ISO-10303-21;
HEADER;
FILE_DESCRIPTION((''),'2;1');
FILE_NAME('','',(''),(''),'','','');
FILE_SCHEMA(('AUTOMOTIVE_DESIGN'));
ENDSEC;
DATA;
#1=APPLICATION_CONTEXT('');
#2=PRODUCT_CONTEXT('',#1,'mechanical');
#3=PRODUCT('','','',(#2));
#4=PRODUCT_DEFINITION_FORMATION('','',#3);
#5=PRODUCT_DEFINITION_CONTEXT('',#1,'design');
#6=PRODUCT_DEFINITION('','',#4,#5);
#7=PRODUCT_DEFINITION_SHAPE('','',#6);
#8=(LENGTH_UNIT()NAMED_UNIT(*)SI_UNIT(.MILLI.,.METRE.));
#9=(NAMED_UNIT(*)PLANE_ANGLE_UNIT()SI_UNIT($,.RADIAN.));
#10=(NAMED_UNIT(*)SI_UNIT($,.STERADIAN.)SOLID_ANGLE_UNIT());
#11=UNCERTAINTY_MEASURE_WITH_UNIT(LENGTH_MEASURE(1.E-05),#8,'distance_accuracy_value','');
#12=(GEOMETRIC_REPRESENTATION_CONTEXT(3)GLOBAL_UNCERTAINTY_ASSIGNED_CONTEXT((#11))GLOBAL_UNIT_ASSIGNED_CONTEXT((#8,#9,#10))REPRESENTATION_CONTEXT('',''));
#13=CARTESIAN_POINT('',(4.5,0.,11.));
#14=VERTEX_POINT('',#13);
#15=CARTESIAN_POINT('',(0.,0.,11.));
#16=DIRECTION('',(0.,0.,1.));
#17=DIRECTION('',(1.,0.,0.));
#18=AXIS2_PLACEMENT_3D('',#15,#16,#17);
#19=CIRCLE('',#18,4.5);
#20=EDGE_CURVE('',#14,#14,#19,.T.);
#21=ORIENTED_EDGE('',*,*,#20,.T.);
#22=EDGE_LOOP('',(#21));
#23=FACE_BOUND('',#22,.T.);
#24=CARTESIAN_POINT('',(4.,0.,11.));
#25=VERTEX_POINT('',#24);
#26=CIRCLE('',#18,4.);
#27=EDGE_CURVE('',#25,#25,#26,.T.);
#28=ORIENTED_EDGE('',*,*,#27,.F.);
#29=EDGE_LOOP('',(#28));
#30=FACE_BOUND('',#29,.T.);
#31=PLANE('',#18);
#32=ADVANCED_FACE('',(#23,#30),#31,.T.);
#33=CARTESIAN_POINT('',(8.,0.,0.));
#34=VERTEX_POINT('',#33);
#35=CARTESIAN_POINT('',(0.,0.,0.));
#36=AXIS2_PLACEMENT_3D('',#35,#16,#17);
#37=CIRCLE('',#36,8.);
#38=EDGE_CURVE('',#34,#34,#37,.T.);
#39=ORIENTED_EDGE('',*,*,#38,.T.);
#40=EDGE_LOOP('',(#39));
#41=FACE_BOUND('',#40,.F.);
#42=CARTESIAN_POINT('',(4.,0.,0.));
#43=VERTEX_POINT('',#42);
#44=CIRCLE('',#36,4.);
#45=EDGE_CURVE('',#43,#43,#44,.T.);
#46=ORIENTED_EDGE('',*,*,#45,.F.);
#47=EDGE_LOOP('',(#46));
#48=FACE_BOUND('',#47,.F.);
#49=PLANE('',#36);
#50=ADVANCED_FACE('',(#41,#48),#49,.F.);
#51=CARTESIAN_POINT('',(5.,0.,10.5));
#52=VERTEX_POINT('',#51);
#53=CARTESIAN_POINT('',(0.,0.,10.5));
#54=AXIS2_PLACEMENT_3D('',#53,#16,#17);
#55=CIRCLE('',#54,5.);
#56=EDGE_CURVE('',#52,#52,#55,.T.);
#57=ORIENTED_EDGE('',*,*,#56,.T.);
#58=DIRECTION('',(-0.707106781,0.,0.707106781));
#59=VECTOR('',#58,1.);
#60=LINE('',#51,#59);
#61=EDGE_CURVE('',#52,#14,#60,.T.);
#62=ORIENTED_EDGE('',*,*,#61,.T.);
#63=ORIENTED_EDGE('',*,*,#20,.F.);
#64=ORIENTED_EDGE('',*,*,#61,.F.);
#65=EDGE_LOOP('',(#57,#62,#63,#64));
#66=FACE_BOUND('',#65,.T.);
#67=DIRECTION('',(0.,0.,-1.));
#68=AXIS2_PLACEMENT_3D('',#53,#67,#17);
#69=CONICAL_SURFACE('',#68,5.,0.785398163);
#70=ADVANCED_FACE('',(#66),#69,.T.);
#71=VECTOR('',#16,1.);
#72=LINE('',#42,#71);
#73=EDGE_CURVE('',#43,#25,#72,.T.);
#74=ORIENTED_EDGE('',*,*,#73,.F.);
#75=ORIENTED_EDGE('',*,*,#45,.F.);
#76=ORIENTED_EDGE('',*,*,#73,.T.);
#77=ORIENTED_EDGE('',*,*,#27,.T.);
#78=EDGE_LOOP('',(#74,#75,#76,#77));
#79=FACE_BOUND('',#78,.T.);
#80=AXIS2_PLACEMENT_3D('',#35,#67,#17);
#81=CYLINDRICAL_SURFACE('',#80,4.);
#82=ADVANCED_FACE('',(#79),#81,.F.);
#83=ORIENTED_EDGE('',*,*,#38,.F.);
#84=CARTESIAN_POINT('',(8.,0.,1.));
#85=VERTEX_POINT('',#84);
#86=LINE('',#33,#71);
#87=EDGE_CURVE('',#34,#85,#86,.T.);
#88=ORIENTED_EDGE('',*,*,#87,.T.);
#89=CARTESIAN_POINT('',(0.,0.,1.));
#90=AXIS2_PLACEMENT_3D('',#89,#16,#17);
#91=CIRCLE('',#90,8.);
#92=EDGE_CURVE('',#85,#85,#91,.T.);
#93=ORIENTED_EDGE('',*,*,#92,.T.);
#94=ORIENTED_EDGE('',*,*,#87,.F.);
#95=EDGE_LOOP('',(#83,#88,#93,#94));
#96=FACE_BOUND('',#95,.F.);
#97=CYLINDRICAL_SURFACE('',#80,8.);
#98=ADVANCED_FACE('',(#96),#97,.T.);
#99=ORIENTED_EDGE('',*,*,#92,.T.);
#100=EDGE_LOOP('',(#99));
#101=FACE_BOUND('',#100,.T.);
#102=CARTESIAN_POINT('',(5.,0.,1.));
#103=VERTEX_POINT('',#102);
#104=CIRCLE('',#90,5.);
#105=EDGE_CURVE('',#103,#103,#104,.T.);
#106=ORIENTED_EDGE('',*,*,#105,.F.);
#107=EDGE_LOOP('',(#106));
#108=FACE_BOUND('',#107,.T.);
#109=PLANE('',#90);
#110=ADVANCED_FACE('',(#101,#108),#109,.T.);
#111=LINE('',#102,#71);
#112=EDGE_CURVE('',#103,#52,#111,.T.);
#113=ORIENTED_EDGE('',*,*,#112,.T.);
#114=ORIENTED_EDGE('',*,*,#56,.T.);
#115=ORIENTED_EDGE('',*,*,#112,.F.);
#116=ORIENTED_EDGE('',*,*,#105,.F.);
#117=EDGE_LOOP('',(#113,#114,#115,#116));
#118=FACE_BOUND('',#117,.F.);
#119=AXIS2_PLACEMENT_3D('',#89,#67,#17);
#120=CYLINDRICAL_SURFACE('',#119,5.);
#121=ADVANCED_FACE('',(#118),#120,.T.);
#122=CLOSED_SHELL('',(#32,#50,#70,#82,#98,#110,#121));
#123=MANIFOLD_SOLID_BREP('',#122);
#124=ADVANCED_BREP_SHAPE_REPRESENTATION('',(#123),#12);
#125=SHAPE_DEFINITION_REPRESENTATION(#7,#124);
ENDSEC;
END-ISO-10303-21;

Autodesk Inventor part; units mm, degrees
ref_plane "YZ Plane" through (0, 0, 0) normal (1, 0, 0) x (0, 1, 0)
ref_plane "XZ Plane" through (0, 0, 0) normal (0, 1, 0) x (-1, 0, 0)
ref_plane "XY Plane" through (0, 0, 0) normal (0, 0, 1) x (1, 0, 0)
sketch "スケッチ1" plane through (0, 0, 0) normal (0, 0, 1) x (1, 0, 0)
  circle A0 centre (0, 0) radius 4
  circle A1 centre (0, 0) radius 8
  dimension "d0" = 8
  dimension "d1" = 16
extrude "押し出し1" add sketch "スケッチ1" along normal blind 1
sketch "スケッチ2" plane through (0, 0, 1) normal (0, 0, 1) x (1, 0, 0)
  circle A0 centre (0, 0) radius 5
  circle A1 centre (0, 0) radius 8 projected
  circle A2 centre (0, 0) radius 4 projected
  dimension "d4" = 10
extrude "押し出し2" add sketch "スケッチ2" along normal blind 10 contours A0
chamfer "面取り1" distance 0.5 angle 45 1 edges at (-5, 0, 11)
properties part number "オイレスw10f8-10a" material "アセタール樹脂、黒"
